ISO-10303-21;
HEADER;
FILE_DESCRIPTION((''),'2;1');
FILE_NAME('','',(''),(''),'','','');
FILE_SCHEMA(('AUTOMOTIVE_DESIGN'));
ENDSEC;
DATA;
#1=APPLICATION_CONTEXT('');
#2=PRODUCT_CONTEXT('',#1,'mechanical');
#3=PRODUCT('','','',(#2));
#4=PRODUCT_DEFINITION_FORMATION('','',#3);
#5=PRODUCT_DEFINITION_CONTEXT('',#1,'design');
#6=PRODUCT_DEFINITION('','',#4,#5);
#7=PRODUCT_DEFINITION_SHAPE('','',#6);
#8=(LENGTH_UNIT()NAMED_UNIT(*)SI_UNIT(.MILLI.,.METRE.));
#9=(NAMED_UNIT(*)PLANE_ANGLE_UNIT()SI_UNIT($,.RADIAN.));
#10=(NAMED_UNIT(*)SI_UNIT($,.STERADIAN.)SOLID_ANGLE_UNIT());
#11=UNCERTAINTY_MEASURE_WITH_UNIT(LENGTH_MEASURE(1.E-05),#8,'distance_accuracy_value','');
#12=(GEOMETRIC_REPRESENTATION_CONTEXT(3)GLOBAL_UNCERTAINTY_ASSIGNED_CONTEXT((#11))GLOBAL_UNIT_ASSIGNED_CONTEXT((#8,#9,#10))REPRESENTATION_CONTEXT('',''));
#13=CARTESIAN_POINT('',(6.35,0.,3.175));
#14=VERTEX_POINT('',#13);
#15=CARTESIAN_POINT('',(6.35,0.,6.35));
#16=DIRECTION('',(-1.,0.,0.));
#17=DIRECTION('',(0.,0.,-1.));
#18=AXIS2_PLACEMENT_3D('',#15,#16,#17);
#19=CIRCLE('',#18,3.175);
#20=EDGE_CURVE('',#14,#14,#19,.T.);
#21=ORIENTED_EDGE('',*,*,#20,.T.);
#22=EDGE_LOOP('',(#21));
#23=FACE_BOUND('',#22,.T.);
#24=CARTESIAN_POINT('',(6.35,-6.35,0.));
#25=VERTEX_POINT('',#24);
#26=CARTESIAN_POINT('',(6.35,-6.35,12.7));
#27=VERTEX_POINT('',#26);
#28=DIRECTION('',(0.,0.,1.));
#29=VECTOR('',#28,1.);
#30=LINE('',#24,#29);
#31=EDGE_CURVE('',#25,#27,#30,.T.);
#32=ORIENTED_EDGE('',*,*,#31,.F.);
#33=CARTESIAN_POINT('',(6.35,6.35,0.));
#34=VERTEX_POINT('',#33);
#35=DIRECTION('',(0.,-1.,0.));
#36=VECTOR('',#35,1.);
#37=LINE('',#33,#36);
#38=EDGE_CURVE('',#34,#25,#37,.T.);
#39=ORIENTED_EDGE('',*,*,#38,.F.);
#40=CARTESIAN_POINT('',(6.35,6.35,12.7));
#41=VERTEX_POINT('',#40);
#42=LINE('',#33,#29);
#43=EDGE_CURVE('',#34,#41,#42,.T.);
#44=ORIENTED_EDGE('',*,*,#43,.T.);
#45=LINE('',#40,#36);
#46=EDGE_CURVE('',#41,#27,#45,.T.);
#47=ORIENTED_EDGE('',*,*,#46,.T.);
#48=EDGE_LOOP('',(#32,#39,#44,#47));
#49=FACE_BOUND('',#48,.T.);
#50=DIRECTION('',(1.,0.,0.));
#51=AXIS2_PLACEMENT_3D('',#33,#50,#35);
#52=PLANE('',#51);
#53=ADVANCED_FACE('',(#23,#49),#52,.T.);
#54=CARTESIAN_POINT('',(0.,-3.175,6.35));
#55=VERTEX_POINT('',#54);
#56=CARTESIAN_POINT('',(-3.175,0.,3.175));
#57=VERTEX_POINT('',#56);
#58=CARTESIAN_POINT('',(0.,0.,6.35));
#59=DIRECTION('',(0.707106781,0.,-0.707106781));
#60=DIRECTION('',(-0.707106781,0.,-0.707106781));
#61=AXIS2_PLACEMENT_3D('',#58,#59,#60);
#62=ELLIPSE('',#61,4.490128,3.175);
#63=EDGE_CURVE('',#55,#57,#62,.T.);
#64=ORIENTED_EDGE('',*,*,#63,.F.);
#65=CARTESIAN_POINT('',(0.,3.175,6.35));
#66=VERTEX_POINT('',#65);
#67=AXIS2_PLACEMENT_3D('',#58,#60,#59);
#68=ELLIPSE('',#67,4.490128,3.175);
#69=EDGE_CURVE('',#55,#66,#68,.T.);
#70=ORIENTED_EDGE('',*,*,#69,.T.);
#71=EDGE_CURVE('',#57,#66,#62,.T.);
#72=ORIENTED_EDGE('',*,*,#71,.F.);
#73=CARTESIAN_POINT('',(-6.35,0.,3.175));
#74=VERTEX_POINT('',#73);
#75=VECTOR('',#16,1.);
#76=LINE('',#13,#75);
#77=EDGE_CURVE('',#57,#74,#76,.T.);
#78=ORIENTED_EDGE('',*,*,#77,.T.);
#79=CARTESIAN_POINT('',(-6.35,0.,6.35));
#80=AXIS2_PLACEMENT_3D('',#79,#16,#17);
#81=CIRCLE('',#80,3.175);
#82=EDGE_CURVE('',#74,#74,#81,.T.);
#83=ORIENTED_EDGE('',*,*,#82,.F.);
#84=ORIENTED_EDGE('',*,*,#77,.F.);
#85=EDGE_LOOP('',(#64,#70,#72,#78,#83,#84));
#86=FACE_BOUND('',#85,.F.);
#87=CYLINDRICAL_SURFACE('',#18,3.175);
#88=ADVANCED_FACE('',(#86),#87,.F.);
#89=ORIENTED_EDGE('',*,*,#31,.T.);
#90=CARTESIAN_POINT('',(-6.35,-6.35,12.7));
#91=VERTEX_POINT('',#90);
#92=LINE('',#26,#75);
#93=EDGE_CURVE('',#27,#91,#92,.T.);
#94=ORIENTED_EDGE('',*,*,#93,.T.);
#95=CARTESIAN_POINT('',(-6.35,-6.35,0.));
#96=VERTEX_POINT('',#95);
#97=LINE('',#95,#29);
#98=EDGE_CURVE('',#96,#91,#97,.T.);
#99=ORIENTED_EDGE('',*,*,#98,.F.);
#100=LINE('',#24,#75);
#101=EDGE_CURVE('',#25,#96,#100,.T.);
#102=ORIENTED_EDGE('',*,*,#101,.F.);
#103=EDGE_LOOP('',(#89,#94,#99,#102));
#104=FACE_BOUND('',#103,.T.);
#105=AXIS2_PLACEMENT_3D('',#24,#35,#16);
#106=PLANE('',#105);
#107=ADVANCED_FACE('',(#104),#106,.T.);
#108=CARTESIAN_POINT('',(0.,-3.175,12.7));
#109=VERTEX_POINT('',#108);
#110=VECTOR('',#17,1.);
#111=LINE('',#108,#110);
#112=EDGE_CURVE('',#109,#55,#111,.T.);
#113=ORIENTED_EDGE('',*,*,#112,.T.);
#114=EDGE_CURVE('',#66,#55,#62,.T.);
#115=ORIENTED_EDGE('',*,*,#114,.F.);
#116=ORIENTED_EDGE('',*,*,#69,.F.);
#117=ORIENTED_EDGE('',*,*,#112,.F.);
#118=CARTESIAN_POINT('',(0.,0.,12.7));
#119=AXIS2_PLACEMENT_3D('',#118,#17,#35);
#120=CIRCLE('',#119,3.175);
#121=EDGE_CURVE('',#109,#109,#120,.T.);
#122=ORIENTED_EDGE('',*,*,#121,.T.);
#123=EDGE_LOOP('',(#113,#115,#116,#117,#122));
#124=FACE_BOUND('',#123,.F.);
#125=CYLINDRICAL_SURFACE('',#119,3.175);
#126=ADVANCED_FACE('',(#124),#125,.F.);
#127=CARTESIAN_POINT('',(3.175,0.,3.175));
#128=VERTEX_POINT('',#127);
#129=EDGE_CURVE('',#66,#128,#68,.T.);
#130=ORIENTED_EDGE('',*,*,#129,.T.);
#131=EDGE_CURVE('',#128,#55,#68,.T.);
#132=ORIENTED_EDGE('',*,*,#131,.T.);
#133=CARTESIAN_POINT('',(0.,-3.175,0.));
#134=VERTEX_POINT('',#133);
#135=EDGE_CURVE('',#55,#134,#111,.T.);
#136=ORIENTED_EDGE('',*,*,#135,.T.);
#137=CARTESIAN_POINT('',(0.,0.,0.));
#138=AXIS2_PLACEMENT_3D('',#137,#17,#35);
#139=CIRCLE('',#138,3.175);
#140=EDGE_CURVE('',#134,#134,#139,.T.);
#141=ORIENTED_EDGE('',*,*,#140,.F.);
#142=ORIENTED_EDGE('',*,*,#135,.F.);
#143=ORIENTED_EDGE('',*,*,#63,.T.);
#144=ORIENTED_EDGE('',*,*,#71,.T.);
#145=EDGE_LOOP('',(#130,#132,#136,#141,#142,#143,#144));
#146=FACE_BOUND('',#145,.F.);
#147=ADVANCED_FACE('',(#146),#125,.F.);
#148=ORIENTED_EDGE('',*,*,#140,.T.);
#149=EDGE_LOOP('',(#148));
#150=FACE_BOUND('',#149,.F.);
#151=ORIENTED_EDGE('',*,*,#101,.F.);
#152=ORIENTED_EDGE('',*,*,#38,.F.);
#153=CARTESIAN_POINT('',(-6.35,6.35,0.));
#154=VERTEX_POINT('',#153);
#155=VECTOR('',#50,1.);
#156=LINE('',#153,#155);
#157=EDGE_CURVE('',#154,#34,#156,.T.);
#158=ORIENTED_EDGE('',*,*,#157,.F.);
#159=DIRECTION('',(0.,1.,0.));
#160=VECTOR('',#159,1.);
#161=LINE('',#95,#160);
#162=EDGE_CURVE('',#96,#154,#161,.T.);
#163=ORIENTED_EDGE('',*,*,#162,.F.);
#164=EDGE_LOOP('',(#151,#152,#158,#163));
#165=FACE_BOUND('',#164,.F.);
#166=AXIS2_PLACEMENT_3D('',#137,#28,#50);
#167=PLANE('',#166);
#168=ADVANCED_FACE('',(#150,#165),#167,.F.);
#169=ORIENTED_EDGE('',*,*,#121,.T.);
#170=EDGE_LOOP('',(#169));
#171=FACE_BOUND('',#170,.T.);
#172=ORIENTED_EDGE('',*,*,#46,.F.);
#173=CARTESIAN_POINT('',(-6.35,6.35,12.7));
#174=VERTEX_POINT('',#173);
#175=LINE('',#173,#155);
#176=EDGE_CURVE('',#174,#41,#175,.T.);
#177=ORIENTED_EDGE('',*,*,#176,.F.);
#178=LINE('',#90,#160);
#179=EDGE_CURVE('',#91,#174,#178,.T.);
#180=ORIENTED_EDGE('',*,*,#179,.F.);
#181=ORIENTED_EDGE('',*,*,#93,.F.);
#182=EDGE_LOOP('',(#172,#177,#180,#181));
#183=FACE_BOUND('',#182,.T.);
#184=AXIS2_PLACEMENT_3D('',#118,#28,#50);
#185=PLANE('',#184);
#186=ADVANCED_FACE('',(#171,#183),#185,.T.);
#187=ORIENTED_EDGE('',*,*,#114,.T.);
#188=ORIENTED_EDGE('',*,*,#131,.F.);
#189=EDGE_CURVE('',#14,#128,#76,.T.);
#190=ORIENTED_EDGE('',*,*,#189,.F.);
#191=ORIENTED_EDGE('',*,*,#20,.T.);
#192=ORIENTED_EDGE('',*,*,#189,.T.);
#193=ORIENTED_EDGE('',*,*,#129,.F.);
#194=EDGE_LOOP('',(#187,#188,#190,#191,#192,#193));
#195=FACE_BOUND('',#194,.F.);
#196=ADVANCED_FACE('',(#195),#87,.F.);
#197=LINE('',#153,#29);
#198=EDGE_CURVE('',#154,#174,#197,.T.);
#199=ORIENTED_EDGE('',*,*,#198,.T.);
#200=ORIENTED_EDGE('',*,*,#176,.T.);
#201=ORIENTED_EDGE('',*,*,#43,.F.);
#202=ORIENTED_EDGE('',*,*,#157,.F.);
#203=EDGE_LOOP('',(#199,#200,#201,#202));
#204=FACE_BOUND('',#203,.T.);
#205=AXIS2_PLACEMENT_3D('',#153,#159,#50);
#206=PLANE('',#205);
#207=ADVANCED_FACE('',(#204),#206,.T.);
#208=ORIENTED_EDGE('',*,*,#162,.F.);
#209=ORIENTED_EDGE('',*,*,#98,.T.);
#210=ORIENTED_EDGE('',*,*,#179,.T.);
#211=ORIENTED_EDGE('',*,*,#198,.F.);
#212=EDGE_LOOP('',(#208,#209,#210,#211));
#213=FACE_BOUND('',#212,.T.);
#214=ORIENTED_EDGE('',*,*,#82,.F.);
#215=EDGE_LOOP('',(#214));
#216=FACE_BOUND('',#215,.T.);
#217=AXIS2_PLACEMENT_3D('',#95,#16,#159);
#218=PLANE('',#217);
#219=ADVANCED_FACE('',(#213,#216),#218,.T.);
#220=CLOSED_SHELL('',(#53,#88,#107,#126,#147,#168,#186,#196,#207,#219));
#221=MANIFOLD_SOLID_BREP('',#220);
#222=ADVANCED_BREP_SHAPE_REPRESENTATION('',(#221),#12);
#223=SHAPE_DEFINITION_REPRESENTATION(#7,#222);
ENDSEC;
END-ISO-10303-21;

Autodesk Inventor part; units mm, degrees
ref_plane "YZ Plane" through (0, 0, 0) normal (1, 0, 0) x (0, 1, 0)
ref_plane "XZ Plane" through (0, 0, 0) normal (0, 1, 0) x (-1, 0, 0)
ref_plane "XY Plane" through (0, 0, 0) normal (0, 0, 1) x (1, 0, 0)
sketch "Sketch1" plane through (0, 0, 0) normal (0, 0, 1) x (1, 0, 0)
  line L0 (-6.35, 6.35) -> (6.35, 6.35)
  line L1 (6.35, 6.35) -> (6.35, -6.35)
  line L2 (6.35, -6.35) -> (-6.35, -6.35)
  line L3 (-6.35, -6.35) -> (-6.35, 6.35)
  line L4 (-6.35, 6.35) -> (6.35, -6.35) construction
  line L5 (6.35, 6.35) -> (-6.35, -6.35) construction
  point P0 (0, 0)
  dimension "d0" = 12.7
  dimension "d1" = 12.7
extrude "Extrusion1" add sketch "Sketch1" along normal blind 12.7
sketch "Sketch4" plane through (0, 0, 12.7) normal (0, 0, 1) x (1, 0, 0)
  point P0 (0, 0)
hole "Hole1" at (0, 0, 12.7) direction (0, 0, -1) diameter 6.35 end through all
sketch "Sketch5" plane through (6.35, -6.35, 0) normal (1, 0, 0) x (0, 0, -1)
  line L0 (-12.7, 12.7) -> (0, 0)
  point P0 (0, 6.35)
  point P1 (-6.35, 6.35)
hole "Hole2" at (6.35, 0, 6.35) direction (-1, 0, 0) diameter 6.35 end through all
equation "\"d0\" = d1"
properties part number "Connector" material "Nylon 6/6"
